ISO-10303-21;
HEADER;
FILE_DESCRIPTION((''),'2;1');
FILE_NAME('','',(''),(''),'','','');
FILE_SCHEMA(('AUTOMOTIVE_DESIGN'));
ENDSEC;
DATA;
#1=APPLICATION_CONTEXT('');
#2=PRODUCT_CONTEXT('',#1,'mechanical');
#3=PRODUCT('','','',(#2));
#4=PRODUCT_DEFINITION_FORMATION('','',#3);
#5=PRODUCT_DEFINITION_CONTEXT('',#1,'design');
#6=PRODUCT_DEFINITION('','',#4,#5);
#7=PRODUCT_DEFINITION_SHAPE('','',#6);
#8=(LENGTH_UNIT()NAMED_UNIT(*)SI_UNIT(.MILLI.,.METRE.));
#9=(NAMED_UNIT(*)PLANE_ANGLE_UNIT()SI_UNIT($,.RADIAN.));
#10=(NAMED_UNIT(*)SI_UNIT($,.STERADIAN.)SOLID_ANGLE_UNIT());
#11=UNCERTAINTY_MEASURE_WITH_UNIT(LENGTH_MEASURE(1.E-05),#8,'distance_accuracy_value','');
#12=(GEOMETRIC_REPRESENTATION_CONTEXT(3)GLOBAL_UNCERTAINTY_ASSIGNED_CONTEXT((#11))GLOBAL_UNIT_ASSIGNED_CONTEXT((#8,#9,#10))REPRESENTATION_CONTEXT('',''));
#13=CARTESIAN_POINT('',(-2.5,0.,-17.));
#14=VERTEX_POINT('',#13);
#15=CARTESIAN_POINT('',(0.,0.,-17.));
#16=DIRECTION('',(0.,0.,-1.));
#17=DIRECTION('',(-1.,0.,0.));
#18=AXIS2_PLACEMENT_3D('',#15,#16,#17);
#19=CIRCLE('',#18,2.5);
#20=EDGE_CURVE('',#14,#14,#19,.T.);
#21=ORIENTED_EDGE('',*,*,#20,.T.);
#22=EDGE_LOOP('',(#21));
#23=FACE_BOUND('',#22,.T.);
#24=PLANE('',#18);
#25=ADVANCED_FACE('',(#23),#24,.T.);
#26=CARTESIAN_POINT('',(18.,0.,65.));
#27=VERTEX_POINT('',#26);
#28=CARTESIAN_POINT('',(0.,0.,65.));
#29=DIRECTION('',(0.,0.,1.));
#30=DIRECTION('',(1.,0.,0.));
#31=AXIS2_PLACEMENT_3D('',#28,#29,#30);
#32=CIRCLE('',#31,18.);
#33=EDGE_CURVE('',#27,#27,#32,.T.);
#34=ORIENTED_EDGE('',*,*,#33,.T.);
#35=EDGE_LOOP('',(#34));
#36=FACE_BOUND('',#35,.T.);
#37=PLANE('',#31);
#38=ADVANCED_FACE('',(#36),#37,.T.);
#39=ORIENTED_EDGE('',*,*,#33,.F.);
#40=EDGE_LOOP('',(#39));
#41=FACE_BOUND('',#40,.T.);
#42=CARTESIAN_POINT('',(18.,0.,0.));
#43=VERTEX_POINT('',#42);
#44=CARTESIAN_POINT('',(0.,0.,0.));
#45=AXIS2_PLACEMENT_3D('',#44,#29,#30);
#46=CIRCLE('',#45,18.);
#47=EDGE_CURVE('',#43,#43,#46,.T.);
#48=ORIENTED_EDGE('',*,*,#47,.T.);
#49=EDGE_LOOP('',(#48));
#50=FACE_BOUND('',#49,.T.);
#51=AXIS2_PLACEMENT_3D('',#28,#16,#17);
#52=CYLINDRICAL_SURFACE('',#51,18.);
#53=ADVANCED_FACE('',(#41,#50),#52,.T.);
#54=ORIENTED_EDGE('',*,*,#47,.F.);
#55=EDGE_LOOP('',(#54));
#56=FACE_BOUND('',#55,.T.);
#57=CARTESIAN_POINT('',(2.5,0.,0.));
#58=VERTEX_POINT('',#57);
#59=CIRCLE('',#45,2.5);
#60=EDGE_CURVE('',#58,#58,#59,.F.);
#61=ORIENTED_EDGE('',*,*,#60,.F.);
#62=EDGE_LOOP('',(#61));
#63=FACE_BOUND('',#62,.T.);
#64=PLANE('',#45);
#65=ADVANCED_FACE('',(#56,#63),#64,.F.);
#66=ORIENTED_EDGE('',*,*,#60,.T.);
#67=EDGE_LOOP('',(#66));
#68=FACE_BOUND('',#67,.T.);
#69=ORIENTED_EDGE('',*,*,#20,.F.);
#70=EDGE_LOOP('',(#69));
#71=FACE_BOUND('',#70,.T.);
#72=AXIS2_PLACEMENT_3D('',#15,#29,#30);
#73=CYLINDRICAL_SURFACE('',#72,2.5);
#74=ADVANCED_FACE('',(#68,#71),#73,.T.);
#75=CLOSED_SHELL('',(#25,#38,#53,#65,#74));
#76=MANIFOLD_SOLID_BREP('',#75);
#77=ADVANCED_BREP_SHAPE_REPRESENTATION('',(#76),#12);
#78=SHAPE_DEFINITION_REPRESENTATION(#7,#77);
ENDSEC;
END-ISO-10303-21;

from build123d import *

# Parameters (mm, degrees)
SKETCH1_R           = 18
BOSS_EXTRUDE1_DEPTH = 65
SKETCH2_R           = 2.5
BOSS_EXTRUDE2_DEPTH = 17


with BuildPart() as part:
    # Sketch1 → Boss-Extrude1 (new body)
    with BuildSketch(Plane.XY):
        Circle(SKETCH1_R)
    extrude(amount=BOSS_EXTRUDE1_DEPTH)

    # Sketch2 → Boss-Extrude2 (add)
    with BuildSketch(Plane(origin=(0, 0, 0), x_dir=(-1, 0, 0), z_dir=(0, 0, -1))):
        Circle(SKETCH2_R)
    extrude(amount=BOSS_EXTRUDE2_DEPTH)


solid = part.part
